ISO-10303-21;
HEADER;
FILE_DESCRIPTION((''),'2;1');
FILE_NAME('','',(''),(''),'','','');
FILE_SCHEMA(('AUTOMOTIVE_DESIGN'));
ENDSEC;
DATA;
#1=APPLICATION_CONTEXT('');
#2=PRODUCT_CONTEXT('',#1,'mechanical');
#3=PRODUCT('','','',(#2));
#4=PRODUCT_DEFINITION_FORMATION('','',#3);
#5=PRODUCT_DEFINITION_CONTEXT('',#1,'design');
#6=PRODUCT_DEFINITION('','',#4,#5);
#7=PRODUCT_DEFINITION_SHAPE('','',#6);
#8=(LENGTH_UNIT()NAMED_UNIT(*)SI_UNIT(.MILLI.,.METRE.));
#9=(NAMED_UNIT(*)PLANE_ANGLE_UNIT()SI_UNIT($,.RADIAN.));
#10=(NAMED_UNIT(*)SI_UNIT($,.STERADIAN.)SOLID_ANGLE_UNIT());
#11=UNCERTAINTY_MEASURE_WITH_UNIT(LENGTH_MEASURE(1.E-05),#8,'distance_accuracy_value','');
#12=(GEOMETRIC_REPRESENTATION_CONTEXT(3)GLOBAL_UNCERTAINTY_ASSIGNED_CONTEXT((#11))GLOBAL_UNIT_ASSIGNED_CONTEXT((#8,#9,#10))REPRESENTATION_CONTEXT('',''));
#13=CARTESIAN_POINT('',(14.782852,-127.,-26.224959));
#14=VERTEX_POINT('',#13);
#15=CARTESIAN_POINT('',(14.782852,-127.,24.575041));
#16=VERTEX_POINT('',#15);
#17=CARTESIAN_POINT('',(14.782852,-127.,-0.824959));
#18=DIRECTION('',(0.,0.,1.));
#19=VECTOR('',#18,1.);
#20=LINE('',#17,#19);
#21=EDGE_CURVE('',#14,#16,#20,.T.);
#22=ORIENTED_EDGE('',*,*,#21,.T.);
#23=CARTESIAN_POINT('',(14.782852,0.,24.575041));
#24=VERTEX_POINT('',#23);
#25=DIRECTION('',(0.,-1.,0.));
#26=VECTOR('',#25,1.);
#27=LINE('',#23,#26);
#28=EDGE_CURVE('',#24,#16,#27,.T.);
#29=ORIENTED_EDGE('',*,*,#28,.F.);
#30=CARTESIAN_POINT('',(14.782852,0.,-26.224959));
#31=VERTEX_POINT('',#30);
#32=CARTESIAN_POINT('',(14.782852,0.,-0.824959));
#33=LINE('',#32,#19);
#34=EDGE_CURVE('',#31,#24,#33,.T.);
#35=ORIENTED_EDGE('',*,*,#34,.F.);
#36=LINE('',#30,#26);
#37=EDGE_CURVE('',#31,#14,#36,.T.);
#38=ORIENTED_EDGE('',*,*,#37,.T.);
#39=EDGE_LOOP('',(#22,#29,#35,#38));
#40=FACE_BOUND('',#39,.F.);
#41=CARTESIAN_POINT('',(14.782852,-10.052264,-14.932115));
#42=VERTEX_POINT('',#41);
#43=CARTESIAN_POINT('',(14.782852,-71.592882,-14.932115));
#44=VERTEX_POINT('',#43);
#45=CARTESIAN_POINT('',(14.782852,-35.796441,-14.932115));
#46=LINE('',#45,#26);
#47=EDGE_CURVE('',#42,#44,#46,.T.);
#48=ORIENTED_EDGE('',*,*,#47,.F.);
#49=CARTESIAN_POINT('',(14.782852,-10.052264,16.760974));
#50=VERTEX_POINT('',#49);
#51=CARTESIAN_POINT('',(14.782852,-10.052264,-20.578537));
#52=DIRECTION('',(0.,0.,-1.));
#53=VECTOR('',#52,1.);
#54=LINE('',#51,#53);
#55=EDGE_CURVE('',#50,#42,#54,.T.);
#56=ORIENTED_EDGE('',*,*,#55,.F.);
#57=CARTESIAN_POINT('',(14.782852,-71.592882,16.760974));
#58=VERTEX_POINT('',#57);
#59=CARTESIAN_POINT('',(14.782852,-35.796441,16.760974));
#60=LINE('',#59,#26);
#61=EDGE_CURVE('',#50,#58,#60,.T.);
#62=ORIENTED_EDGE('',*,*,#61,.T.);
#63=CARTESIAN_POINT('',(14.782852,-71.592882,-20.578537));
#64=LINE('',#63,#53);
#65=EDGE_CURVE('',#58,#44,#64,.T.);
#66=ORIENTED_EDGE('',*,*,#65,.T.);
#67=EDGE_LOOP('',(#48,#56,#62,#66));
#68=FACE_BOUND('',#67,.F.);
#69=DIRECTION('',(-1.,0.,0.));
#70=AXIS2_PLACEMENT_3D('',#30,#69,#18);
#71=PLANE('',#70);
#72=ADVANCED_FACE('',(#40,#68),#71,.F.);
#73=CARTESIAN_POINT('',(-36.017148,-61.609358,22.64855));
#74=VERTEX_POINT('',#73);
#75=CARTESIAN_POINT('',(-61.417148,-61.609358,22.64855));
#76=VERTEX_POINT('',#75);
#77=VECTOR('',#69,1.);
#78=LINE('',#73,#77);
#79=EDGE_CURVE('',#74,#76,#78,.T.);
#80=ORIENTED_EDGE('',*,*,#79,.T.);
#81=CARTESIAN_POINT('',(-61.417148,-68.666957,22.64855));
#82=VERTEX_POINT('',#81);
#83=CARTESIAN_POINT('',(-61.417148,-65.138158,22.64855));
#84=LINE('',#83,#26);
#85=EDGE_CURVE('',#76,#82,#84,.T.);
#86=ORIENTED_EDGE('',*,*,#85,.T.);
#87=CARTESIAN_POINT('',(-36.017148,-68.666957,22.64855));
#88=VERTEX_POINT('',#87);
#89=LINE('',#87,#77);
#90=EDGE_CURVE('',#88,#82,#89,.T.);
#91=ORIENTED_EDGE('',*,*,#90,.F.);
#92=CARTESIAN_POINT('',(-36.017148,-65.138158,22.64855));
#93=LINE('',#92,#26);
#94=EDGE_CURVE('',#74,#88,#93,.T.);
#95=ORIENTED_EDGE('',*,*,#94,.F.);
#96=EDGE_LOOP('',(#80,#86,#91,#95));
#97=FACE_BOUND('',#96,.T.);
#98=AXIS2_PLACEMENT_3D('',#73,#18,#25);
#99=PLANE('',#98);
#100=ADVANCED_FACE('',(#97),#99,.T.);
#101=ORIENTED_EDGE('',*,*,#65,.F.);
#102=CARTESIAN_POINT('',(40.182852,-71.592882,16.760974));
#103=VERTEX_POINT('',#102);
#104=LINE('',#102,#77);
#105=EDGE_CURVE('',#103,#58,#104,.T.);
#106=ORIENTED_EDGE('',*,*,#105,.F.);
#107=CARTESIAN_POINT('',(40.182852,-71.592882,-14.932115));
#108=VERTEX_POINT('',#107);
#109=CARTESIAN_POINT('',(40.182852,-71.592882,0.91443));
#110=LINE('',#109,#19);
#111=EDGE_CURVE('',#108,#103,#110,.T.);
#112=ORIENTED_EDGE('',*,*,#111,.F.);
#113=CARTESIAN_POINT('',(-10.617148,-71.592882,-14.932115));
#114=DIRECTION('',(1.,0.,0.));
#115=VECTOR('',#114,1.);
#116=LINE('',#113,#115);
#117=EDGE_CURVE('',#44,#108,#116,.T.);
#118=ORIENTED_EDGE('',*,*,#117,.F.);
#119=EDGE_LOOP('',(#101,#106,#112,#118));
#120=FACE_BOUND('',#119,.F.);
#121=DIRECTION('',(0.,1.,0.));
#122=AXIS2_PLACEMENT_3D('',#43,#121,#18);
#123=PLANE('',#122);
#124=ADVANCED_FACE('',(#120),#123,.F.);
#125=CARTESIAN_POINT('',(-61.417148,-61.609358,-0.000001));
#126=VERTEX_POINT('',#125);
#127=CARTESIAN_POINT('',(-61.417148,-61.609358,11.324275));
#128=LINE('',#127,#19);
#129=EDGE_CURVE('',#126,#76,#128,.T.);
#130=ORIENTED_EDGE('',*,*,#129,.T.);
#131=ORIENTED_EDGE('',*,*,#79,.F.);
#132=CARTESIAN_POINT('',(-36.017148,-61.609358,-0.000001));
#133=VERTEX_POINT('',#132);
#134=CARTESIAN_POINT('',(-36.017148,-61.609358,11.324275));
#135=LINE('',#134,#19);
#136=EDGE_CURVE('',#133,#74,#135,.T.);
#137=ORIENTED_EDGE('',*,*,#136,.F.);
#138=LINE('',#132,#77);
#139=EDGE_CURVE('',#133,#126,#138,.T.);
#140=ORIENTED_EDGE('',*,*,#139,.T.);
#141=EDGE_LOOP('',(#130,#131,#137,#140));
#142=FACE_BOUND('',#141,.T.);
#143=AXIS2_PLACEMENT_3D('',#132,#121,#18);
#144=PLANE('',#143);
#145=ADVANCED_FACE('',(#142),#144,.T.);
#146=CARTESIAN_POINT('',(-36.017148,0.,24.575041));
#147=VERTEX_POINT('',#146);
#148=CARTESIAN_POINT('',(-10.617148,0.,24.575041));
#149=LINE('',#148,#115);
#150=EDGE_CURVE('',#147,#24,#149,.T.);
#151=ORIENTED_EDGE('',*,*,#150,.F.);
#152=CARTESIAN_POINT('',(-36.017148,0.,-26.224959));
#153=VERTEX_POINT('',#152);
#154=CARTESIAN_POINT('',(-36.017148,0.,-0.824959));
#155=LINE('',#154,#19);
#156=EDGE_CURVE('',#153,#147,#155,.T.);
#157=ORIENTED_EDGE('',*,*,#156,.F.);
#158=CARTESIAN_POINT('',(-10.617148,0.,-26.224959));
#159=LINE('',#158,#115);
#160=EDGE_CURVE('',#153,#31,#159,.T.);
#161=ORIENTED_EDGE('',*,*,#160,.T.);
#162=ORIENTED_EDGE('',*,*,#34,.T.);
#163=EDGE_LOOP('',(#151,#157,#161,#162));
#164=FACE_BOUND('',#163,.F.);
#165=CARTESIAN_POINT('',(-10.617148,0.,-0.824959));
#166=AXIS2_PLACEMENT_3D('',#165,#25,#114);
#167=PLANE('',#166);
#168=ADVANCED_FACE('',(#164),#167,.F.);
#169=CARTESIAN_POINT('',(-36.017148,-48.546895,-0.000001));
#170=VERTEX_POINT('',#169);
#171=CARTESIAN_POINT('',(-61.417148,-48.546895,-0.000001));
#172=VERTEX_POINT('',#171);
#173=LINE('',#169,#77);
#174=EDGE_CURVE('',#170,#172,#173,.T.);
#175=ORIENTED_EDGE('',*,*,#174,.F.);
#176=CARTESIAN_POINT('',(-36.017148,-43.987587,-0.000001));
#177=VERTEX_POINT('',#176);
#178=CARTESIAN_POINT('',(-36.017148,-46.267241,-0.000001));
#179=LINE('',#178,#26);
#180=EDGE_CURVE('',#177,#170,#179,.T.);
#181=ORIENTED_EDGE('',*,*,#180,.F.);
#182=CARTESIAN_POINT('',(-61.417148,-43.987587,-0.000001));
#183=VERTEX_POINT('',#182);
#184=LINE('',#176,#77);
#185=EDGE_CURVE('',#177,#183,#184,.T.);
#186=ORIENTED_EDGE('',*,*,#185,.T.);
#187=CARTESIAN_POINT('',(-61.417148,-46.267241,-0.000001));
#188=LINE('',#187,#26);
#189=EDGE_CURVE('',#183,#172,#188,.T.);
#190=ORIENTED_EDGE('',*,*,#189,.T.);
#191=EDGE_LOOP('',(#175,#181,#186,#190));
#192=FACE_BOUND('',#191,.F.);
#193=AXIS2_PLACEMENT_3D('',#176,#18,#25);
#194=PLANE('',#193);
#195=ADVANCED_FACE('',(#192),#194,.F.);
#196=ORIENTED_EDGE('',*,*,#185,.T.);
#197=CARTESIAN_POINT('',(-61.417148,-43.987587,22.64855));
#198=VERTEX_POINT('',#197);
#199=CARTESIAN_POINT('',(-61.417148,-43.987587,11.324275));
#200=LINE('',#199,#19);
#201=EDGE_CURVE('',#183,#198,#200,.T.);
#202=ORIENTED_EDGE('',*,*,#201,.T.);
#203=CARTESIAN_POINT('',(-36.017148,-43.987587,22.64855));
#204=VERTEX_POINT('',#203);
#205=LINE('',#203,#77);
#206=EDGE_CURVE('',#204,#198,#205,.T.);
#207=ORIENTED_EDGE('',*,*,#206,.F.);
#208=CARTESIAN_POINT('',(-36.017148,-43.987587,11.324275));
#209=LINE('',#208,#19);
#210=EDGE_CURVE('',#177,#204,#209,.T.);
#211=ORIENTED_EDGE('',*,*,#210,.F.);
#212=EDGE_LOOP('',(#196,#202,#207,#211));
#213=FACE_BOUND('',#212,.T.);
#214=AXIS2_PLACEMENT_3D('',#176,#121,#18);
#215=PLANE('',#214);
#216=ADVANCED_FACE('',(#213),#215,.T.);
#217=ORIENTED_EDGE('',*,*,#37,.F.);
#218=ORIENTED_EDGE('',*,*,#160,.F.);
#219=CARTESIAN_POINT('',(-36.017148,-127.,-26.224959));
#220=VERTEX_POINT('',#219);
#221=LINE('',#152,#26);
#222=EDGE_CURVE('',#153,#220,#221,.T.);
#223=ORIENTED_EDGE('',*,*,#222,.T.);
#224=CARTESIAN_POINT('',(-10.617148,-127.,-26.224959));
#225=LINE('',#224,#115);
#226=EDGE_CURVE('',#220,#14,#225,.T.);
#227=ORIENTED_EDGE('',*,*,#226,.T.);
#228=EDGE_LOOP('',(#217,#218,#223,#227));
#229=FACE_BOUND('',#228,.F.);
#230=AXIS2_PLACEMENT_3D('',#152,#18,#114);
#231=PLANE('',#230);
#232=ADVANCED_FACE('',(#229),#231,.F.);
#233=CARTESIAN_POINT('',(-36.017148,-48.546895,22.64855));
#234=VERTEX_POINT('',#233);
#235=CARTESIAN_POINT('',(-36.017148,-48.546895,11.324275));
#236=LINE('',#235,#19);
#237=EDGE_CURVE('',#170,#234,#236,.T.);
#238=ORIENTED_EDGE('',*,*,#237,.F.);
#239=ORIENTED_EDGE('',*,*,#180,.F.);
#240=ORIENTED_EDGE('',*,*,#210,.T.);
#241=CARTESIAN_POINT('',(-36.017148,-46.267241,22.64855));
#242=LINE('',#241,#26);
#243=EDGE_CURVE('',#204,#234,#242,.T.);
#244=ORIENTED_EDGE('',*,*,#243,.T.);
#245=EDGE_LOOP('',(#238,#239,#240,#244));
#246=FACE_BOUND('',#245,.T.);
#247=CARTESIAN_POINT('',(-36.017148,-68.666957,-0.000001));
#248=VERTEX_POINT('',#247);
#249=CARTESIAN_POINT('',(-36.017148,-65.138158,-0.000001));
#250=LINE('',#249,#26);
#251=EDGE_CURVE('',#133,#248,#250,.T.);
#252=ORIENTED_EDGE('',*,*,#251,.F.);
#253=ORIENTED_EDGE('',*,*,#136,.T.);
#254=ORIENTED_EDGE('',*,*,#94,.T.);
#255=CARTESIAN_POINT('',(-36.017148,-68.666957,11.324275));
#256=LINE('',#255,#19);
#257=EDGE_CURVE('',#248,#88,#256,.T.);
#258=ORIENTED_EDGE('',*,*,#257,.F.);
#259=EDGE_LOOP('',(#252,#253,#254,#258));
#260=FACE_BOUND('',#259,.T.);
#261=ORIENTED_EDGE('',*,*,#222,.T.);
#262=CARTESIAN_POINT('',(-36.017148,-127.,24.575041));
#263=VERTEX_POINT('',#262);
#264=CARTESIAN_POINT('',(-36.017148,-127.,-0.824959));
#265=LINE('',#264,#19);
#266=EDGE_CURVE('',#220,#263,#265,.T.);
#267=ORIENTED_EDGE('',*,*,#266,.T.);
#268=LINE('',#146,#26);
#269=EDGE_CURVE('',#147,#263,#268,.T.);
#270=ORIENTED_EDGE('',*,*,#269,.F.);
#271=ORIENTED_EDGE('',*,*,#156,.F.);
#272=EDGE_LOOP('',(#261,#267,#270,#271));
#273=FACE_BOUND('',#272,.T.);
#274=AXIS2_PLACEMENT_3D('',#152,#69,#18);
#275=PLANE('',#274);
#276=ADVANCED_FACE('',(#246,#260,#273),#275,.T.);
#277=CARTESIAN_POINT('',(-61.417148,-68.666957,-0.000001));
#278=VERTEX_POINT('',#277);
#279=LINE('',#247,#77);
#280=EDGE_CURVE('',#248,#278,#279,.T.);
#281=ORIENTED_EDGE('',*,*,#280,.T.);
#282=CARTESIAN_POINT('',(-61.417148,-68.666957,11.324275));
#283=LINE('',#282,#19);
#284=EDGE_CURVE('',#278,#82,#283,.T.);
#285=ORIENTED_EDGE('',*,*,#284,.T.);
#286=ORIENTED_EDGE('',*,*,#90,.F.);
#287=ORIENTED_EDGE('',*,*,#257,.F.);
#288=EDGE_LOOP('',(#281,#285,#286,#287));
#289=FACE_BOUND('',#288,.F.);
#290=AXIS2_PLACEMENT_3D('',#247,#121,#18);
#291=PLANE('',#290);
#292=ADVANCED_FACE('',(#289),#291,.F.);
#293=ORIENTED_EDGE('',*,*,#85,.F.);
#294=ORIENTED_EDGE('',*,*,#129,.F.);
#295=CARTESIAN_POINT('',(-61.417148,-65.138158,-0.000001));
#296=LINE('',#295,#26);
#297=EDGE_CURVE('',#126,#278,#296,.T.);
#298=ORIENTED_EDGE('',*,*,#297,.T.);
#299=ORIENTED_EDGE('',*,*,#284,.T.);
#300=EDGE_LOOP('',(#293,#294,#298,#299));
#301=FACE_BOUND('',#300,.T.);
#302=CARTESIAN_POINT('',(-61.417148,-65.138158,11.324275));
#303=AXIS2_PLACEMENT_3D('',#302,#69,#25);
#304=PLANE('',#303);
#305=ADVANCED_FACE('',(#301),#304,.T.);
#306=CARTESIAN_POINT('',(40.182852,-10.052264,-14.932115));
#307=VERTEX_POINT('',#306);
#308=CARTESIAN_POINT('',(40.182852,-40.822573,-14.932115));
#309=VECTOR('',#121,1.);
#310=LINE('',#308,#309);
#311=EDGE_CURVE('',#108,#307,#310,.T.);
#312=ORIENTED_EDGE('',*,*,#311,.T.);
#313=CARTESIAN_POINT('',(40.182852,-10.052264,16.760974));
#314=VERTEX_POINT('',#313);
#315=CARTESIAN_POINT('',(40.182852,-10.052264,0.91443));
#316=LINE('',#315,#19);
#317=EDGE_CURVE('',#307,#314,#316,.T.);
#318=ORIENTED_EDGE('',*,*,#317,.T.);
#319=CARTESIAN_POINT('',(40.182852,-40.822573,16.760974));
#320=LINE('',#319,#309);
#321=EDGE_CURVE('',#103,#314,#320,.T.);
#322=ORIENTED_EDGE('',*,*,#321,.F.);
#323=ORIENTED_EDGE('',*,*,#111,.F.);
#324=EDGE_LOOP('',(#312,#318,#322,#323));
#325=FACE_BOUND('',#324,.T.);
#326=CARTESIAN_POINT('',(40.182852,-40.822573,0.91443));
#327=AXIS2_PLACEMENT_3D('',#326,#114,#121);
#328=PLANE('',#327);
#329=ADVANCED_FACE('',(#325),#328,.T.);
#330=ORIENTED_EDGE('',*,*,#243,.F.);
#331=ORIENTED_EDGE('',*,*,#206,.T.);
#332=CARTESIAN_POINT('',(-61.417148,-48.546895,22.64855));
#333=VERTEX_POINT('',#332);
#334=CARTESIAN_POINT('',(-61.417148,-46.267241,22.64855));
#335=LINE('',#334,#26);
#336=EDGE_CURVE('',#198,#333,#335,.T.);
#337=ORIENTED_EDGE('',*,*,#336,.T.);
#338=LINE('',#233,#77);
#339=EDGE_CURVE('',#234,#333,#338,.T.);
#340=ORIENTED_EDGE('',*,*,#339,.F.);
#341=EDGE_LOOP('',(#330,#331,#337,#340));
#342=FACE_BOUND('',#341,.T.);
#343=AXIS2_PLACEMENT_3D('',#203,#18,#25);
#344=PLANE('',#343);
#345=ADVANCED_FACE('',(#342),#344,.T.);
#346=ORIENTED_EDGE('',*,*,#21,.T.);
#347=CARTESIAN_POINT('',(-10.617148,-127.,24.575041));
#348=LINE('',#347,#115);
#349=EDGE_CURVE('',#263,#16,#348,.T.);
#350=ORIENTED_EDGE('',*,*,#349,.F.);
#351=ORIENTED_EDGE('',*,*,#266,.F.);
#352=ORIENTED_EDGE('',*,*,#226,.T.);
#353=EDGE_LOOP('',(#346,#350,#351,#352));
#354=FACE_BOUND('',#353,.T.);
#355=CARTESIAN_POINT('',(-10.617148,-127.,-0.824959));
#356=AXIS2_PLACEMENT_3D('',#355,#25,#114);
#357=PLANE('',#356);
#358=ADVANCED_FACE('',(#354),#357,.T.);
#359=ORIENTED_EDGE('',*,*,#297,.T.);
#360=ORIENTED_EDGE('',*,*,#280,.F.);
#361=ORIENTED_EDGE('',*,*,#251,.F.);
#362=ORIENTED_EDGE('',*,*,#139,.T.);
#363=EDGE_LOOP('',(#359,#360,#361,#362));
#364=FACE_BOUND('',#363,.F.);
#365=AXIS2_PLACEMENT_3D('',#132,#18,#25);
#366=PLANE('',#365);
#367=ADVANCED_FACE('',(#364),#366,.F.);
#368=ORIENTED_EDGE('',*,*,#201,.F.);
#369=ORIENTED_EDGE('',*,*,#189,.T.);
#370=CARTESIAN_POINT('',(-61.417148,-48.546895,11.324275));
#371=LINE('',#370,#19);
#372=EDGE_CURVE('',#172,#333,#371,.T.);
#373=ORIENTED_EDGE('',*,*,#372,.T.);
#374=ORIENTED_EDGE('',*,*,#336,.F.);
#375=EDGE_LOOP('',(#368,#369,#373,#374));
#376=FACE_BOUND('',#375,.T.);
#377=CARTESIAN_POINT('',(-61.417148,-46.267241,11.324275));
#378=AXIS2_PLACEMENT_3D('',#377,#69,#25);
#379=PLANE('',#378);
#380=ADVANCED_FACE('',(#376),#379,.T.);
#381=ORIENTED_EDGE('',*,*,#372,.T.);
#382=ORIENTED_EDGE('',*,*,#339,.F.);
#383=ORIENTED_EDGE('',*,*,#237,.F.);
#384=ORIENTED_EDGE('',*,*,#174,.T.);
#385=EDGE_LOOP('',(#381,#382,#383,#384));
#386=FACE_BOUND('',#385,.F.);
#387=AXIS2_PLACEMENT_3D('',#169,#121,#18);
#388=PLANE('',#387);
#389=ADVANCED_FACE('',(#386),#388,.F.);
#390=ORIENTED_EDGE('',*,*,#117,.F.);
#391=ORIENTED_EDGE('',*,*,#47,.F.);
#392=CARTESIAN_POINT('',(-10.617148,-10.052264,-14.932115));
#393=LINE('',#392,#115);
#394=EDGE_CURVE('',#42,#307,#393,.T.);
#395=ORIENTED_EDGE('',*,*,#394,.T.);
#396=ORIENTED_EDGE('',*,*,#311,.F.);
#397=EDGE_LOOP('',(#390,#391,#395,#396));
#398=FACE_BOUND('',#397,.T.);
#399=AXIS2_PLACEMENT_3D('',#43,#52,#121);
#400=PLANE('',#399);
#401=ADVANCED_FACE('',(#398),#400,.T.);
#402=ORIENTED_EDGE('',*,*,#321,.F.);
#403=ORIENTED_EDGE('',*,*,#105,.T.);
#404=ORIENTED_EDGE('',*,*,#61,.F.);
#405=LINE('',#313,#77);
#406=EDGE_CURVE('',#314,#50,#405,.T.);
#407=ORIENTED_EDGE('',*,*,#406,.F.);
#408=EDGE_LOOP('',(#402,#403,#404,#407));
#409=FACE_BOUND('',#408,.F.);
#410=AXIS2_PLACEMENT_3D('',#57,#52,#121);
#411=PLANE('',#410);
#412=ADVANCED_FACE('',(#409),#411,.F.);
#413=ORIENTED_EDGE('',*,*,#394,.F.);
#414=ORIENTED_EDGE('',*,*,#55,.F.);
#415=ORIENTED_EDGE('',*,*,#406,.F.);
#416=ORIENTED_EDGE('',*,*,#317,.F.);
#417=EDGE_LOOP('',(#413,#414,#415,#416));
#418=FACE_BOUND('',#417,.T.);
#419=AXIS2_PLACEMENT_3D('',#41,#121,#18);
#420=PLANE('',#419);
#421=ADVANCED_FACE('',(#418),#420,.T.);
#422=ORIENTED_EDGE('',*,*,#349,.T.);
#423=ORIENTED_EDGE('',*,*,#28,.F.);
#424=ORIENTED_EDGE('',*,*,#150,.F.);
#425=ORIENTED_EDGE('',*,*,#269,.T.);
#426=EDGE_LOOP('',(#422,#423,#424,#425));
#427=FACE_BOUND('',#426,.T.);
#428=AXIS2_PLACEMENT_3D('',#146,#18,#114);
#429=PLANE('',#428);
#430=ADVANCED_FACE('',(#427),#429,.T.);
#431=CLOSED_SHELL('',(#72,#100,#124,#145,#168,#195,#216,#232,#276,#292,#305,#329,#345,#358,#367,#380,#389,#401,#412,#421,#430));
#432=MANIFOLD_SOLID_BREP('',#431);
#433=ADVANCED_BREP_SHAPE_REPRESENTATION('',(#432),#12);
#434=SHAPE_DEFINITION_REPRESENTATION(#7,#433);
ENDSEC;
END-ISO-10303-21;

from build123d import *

# Parameters (mm, degrees)
F0_W     = 50.8
F0_H     = 50.8
F1_DEPTH = 127
F2_W     = 61.540618
F2_H     = 31.693089
F3_DEPTH = 25.4
F4_W     = 4.559308
F4_H     = 22.648551
F5_DEPTH = 25.4
F4_W_2   = 7.057599
F6_DEPTH = 25.4


with BuildPart() as f1:
    # F0 (on Front) → F1 (new body)
    with BuildSketch(Plane.XZ):
        with Locations((-10.617148, -0.824959)):
            Rectangle(F0_W, F0_H)
    extrude(amount=F1_DEPTH)

    # F2 (on face) → F3 (join, symmetric)
    with BuildSketch(Plane.YZ.offset(14.782852)):
        with Locations((-40.822573, 0.91443)):
            Rectangle(F2_W, F2_H)
    extrude(amount=F3_DEPTH, both=True)

    # F4 (on face) → F5 (join)
    with BuildSketch(Plane(origin=(-36.017148, 0, 0), x_dir=(0, -1, 0), z_dir=(-1, 0, 0))):
        with Locations((46.267241, 11.324275)):
            Rectangle(F4_W, F4_H)
    extrude(amount=F5_DEPTH)

    # F4 (on face) → F6 (join)
    with BuildSketch(Plane(origin=(-36.017148, 0, 0), x_dir=(0, -1, 0), z_dir=(-1, 0, 0))):
        with Locations((65.138158, 11.324275)):
            Rectangle(F4_W_2, F4_H)
    extrude(amount=F6_DEPTH)


solid = f1.part
